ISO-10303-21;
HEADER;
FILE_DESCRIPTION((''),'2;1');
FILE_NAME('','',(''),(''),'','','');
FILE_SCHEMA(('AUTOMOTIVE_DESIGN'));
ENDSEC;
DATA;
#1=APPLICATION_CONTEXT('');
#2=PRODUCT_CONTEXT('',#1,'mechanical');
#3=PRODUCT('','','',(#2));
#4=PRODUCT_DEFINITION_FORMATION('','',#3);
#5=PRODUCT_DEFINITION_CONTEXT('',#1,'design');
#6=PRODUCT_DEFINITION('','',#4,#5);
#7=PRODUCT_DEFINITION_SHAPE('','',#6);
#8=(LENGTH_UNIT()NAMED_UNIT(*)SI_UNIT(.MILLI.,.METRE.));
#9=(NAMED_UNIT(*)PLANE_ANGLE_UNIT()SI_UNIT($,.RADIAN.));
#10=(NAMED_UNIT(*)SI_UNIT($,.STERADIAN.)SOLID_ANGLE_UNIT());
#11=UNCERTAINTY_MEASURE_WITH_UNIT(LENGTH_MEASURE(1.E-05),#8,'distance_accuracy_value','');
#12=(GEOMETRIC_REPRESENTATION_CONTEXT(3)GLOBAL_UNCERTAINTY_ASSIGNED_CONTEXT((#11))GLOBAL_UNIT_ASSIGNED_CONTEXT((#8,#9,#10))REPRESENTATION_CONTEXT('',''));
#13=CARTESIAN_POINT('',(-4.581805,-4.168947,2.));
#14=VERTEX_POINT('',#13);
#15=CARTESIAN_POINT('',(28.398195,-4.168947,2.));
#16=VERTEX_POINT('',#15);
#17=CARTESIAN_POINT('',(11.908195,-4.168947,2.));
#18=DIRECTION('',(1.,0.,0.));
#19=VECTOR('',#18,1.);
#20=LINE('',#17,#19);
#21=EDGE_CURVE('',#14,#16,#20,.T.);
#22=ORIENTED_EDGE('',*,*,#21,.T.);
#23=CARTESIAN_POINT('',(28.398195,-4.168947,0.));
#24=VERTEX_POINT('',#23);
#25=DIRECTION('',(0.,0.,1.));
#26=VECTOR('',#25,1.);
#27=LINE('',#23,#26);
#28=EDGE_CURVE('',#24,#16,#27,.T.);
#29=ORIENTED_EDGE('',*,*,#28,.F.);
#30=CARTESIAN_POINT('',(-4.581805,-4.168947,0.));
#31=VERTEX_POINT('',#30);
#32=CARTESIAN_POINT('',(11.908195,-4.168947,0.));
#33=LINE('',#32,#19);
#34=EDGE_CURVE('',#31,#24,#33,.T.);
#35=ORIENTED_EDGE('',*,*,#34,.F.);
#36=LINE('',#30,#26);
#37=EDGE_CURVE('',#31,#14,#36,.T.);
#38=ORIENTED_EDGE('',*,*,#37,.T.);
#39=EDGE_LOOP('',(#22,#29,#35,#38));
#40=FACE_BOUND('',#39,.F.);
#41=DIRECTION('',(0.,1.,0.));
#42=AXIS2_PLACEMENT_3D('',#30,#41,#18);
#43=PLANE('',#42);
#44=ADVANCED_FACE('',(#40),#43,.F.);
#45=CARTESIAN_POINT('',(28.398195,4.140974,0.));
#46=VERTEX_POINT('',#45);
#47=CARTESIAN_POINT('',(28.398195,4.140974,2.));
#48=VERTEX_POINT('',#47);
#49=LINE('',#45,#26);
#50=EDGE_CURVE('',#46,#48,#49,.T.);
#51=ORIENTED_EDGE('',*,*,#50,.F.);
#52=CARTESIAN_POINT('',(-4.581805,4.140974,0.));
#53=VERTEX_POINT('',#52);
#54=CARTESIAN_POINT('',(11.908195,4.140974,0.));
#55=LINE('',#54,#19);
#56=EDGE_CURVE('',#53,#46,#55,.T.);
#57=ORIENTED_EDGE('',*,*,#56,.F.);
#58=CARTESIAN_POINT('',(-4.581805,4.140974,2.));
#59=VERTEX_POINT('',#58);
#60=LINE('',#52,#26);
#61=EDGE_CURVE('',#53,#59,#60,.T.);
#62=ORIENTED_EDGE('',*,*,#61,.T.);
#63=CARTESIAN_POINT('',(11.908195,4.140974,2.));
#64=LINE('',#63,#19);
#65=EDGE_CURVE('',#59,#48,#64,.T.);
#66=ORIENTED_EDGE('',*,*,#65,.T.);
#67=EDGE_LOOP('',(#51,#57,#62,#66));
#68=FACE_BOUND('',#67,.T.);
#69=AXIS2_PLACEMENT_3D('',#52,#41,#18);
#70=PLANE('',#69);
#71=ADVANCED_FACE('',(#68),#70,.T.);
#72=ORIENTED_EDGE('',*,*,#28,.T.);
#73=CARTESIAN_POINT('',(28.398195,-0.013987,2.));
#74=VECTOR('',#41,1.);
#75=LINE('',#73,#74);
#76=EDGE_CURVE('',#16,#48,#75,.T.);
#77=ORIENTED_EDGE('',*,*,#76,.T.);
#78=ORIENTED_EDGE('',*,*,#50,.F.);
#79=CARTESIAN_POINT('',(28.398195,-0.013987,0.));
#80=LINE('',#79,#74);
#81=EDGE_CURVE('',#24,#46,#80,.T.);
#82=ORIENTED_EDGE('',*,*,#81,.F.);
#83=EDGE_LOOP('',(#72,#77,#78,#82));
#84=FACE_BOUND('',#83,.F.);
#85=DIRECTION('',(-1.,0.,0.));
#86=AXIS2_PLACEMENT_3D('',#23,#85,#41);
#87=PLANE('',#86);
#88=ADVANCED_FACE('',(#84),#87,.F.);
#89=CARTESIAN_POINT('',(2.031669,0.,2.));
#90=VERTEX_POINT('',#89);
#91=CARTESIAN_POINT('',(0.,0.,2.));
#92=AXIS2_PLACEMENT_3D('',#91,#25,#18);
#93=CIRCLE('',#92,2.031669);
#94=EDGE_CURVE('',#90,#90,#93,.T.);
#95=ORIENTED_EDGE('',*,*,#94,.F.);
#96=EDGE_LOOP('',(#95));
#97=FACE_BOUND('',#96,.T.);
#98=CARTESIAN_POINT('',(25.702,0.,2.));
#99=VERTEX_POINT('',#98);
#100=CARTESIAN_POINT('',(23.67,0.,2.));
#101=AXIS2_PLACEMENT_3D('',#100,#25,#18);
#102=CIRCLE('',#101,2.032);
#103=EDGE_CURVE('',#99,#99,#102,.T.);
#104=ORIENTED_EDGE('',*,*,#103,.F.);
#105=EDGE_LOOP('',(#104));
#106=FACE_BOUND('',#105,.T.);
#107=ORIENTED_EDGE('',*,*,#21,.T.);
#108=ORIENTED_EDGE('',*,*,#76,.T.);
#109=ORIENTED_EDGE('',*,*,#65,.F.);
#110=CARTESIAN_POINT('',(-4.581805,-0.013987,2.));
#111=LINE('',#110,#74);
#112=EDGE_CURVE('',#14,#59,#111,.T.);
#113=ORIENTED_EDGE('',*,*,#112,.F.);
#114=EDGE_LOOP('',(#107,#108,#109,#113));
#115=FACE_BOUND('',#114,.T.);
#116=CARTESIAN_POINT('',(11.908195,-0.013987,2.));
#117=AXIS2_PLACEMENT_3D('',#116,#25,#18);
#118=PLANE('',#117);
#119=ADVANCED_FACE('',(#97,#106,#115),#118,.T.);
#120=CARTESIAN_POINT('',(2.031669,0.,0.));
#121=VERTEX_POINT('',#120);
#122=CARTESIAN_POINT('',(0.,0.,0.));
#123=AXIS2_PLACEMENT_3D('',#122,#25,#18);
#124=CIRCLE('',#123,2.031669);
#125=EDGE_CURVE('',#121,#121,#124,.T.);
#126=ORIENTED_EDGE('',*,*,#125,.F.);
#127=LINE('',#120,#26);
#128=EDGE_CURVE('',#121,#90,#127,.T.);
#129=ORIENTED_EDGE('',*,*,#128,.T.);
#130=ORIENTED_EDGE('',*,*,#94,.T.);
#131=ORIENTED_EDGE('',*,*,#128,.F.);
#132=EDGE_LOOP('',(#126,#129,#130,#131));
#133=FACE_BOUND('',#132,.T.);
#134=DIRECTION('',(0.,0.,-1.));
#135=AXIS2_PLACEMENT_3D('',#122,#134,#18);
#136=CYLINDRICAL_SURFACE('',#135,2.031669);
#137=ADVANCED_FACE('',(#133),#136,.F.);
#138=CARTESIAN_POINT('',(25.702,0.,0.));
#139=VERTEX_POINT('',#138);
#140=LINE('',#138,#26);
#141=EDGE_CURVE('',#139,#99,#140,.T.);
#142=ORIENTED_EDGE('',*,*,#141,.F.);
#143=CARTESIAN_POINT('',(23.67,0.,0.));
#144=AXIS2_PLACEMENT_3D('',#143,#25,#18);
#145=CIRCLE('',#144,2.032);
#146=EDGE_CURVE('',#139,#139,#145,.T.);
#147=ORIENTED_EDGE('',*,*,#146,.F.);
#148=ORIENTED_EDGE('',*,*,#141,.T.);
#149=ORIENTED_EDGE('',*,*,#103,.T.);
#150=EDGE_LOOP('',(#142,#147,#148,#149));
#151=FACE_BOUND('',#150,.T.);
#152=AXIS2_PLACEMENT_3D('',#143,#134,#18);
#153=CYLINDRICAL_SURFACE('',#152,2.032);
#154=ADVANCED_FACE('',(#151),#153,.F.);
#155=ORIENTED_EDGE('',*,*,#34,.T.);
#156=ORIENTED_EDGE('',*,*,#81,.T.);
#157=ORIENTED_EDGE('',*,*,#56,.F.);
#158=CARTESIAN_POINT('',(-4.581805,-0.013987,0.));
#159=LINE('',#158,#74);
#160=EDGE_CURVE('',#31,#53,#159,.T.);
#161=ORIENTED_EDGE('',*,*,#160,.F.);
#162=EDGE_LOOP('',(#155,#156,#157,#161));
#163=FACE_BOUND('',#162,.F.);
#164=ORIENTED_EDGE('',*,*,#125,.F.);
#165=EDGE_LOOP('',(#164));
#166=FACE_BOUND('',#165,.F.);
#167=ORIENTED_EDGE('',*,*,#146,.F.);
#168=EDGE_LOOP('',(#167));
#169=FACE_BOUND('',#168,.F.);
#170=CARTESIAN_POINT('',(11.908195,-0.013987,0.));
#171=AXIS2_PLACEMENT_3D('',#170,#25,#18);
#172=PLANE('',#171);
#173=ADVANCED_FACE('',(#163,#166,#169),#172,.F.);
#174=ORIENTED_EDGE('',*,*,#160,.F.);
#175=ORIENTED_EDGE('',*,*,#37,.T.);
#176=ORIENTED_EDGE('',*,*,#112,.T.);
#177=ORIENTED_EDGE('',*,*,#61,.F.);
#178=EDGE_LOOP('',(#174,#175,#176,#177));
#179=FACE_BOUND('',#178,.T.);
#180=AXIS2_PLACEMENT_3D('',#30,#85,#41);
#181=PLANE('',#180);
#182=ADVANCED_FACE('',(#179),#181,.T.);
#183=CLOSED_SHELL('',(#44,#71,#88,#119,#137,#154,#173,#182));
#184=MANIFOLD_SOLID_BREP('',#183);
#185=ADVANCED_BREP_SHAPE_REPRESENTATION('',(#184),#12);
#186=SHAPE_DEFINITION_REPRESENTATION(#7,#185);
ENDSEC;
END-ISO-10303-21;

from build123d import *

# Parameters (mm, degrees)
F0_W     = 32.98
F0_H     = 8.309921
F0_R     = 2.031669
F0_R_2   = 2.032
F1_DEPTH = 2


with BuildPart() as f1:
    # F0 (on Top) → F1 (new body)
    with BuildSketch(Plane.XY):
        with Locations((11.908195, -0.013987)):
            Rectangle(F0_W, F0_H)
        Circle(F0_R, mode=Mode.SUBTRACT)
        with Locations((23.67, 0)):
            Circle(F0_R_2, mode=Mode.SUBTRACT)
    extrude(amount=F1_DEPTH)


solid = f1.part
